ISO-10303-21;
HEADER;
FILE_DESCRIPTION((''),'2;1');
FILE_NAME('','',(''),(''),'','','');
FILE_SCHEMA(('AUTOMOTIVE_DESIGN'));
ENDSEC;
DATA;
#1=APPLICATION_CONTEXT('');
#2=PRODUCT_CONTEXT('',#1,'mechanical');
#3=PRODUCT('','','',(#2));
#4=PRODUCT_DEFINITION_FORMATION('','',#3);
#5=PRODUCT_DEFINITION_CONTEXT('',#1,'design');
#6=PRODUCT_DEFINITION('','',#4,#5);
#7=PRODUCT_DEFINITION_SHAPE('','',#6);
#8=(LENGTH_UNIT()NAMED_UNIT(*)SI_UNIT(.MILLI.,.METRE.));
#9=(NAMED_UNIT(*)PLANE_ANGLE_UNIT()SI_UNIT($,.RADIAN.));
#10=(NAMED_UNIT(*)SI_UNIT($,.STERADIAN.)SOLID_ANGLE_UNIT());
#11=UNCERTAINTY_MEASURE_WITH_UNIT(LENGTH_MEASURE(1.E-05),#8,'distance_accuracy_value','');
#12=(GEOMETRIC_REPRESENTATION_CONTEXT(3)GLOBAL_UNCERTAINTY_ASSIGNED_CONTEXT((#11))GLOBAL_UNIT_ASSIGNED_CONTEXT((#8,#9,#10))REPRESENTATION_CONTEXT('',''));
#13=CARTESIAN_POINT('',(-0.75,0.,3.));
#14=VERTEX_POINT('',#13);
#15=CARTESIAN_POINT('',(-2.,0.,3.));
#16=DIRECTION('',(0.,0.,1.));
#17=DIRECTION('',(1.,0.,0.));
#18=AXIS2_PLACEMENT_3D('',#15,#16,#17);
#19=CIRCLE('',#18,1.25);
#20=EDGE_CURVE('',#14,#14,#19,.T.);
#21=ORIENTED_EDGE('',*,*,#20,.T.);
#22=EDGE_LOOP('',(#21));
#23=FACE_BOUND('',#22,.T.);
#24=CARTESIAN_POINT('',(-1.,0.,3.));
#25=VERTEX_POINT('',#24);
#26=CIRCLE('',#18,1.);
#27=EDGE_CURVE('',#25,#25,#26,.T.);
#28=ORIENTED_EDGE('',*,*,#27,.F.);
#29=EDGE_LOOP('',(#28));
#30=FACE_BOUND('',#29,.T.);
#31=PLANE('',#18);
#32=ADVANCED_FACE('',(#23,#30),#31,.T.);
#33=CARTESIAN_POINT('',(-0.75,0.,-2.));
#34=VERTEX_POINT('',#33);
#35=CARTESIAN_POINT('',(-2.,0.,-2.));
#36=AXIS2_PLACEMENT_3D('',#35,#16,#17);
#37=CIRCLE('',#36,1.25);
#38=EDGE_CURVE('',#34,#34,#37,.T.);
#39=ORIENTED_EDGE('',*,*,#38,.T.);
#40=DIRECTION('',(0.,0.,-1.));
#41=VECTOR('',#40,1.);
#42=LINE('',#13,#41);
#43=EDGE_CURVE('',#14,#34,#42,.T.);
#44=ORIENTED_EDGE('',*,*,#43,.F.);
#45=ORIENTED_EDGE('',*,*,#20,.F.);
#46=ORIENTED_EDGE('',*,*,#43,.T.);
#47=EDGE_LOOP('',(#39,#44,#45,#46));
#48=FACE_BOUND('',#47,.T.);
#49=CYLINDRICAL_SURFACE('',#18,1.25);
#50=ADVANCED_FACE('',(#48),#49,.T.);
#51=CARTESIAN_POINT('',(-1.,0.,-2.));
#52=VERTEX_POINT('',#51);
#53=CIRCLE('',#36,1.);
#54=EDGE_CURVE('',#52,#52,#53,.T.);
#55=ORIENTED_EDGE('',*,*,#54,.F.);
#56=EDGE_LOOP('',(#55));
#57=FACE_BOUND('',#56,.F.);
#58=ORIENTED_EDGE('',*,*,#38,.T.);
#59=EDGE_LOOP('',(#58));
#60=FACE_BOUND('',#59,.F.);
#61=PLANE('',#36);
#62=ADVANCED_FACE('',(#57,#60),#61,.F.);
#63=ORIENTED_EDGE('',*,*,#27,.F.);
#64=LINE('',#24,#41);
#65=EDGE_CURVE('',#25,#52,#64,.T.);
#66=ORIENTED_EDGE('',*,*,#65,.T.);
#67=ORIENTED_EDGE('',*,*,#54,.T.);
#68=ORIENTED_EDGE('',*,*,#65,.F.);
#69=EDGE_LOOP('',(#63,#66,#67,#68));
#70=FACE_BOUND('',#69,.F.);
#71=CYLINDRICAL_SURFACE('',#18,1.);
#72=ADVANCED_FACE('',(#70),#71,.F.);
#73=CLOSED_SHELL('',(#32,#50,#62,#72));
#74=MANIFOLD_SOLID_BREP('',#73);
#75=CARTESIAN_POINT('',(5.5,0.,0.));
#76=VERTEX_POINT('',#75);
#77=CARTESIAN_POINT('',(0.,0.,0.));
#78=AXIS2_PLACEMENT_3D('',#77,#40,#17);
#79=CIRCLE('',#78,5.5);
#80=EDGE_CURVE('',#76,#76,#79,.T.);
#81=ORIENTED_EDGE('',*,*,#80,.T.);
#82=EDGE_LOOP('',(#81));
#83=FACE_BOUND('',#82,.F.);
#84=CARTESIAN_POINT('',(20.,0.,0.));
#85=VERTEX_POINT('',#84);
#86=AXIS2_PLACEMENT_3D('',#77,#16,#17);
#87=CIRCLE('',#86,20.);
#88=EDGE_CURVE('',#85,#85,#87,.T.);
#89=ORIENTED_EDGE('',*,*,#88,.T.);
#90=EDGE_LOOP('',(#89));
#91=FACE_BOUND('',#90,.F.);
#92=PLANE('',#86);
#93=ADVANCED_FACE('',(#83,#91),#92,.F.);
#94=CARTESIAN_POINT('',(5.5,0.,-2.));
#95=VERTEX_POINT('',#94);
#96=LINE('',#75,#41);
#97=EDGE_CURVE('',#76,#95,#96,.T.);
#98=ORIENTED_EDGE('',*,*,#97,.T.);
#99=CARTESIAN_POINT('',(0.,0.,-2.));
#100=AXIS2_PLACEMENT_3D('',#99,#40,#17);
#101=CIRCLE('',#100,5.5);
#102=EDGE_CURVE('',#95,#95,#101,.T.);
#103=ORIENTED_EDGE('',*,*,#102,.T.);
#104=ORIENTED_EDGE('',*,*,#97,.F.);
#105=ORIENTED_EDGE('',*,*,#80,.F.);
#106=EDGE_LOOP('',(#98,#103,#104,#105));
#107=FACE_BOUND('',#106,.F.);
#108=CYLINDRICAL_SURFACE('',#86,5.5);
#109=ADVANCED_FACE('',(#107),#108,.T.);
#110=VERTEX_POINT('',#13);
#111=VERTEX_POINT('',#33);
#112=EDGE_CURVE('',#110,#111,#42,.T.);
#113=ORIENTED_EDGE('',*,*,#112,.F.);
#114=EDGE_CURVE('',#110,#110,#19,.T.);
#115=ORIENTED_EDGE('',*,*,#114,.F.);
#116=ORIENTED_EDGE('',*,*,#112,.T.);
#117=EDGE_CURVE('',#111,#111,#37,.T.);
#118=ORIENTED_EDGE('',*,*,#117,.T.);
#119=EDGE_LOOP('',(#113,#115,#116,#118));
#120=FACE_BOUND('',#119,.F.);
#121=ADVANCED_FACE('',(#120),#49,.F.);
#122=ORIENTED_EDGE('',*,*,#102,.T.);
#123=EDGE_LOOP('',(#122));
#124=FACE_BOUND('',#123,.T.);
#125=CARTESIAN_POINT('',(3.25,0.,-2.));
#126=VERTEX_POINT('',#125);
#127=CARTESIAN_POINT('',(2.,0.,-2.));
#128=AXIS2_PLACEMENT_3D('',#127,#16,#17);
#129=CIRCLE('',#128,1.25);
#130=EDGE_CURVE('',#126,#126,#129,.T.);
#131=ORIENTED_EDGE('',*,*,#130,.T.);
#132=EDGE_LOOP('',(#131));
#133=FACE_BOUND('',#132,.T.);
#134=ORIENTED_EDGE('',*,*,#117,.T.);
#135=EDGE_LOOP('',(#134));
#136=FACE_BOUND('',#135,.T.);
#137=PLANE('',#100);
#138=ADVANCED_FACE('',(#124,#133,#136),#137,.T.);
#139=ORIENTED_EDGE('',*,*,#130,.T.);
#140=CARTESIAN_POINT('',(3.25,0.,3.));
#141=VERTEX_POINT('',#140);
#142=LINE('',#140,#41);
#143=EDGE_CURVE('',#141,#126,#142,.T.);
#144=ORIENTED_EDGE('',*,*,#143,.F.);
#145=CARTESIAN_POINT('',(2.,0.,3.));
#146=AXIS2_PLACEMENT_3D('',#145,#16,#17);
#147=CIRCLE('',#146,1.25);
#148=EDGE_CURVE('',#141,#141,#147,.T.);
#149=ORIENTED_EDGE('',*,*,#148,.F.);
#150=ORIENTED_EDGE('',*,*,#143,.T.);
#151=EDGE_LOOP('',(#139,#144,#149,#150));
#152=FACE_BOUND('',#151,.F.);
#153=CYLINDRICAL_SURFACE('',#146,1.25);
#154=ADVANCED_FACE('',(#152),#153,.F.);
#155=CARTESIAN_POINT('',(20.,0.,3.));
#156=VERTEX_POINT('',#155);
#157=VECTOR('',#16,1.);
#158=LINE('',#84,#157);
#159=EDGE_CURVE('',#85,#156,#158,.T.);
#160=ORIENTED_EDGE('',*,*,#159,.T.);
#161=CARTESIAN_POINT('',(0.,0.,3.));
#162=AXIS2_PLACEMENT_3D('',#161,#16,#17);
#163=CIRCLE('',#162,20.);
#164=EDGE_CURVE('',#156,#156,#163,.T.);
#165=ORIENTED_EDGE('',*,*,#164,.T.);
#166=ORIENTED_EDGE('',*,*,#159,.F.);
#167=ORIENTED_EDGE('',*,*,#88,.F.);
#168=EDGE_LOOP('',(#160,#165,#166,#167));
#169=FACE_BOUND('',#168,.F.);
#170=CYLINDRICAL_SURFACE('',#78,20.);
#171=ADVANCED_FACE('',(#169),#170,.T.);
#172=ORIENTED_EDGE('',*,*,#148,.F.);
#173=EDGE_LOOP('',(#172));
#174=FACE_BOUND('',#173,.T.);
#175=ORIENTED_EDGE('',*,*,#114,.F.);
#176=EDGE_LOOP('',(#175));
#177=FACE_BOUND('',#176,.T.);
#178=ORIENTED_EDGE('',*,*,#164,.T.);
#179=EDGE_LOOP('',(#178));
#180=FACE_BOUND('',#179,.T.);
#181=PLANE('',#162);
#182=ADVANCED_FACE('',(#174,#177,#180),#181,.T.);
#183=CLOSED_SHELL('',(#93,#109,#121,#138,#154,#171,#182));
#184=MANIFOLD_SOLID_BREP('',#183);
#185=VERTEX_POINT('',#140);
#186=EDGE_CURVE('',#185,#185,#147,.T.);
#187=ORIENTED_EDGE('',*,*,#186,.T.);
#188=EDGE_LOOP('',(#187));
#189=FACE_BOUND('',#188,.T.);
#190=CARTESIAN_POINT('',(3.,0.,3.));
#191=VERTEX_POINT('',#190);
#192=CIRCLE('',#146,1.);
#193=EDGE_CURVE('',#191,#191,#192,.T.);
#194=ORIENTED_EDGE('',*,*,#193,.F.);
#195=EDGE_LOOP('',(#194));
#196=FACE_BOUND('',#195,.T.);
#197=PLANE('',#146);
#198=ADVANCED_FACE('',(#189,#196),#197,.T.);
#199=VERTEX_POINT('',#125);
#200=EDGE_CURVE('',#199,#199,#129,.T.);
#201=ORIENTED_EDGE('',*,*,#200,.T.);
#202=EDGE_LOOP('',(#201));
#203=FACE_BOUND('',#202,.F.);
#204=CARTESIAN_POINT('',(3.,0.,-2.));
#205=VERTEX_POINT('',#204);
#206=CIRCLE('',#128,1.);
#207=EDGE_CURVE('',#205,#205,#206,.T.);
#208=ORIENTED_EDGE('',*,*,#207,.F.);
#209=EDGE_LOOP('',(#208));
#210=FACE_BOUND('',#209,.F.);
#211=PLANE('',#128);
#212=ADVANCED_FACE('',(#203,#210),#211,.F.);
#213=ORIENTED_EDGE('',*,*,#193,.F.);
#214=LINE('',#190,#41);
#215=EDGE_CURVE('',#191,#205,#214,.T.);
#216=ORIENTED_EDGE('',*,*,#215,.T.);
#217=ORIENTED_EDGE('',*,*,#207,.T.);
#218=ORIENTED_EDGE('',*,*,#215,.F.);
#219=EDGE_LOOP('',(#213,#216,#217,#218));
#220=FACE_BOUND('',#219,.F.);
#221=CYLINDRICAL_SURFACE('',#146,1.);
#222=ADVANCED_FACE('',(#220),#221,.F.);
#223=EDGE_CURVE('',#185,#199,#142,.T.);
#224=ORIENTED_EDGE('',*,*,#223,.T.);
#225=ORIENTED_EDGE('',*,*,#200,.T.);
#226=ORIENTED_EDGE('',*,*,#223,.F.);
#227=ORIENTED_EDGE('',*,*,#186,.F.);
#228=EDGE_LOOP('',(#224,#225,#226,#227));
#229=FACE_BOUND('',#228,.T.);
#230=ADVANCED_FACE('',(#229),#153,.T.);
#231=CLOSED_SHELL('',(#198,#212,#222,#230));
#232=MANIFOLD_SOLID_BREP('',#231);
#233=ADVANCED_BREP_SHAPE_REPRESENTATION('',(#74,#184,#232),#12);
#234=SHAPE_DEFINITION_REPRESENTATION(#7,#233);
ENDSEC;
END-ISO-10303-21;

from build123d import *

# Parameters (mm, degrees)
F0_R     = 20
F1_DEPTH = 3
F2_R     = 5.5
F3_DEPTH = 2
F4_R     = 1.25
F5_DEPTH = 25
F6_R     = 1.25
F7_DEPTH = 5
F8_R     = 1
F9_DEPTH = 25


with BuildPart() as f1:
    # F0 (on Top) → F1 (new body)
    with BuildSketch(Plane.XY):
        Circle(F0_R)
    extrude(amount=F1_DEPTH)

    # F2 (on face) → F3 (join)
    with BuildSketch(Plane(origin=(0, 0, 0), x_dir=(1, 0, 0), z_dir=(0, 0, -1))):
        Circle(F2_R)
    extrude(amount=F3_DEPTH)

    # F4 (on face) → F5 (cut)
    with BuildSketch(Plane.XY.offset(3)):
        with Locations((-2, 0)):
            Circle(F4_R)
        with Locations((2, 0)):
            Circle(F4_R)
    extrude(amount=-F5_DEPTH, mode=Mode.SUBTRACT)


with BuildPart() as f7:
    # F6 (on face) → F7 (new body)
    with BuildSketch(Plane.XY.offset(3)):
        with Locations((-2, 0)):
            Circle(F6_R)
        with Locations((2, 0)):
            Circle(F6_R)
    extrude(amount=-F7_DEPTH)

    # F8 (on face) → F9 (cut)
    with BuildSketch(Plane.XY.offset(3)):
        with Locations((-2, 0)):
            Circle(F8_R)
        with Locations((2, 0)):
            Circle(F8_R)
    extrude(amount=-F9_DEPTH, mode=Mode.SUBTRACT)


solid = Compound([f1.part, f7.part])
